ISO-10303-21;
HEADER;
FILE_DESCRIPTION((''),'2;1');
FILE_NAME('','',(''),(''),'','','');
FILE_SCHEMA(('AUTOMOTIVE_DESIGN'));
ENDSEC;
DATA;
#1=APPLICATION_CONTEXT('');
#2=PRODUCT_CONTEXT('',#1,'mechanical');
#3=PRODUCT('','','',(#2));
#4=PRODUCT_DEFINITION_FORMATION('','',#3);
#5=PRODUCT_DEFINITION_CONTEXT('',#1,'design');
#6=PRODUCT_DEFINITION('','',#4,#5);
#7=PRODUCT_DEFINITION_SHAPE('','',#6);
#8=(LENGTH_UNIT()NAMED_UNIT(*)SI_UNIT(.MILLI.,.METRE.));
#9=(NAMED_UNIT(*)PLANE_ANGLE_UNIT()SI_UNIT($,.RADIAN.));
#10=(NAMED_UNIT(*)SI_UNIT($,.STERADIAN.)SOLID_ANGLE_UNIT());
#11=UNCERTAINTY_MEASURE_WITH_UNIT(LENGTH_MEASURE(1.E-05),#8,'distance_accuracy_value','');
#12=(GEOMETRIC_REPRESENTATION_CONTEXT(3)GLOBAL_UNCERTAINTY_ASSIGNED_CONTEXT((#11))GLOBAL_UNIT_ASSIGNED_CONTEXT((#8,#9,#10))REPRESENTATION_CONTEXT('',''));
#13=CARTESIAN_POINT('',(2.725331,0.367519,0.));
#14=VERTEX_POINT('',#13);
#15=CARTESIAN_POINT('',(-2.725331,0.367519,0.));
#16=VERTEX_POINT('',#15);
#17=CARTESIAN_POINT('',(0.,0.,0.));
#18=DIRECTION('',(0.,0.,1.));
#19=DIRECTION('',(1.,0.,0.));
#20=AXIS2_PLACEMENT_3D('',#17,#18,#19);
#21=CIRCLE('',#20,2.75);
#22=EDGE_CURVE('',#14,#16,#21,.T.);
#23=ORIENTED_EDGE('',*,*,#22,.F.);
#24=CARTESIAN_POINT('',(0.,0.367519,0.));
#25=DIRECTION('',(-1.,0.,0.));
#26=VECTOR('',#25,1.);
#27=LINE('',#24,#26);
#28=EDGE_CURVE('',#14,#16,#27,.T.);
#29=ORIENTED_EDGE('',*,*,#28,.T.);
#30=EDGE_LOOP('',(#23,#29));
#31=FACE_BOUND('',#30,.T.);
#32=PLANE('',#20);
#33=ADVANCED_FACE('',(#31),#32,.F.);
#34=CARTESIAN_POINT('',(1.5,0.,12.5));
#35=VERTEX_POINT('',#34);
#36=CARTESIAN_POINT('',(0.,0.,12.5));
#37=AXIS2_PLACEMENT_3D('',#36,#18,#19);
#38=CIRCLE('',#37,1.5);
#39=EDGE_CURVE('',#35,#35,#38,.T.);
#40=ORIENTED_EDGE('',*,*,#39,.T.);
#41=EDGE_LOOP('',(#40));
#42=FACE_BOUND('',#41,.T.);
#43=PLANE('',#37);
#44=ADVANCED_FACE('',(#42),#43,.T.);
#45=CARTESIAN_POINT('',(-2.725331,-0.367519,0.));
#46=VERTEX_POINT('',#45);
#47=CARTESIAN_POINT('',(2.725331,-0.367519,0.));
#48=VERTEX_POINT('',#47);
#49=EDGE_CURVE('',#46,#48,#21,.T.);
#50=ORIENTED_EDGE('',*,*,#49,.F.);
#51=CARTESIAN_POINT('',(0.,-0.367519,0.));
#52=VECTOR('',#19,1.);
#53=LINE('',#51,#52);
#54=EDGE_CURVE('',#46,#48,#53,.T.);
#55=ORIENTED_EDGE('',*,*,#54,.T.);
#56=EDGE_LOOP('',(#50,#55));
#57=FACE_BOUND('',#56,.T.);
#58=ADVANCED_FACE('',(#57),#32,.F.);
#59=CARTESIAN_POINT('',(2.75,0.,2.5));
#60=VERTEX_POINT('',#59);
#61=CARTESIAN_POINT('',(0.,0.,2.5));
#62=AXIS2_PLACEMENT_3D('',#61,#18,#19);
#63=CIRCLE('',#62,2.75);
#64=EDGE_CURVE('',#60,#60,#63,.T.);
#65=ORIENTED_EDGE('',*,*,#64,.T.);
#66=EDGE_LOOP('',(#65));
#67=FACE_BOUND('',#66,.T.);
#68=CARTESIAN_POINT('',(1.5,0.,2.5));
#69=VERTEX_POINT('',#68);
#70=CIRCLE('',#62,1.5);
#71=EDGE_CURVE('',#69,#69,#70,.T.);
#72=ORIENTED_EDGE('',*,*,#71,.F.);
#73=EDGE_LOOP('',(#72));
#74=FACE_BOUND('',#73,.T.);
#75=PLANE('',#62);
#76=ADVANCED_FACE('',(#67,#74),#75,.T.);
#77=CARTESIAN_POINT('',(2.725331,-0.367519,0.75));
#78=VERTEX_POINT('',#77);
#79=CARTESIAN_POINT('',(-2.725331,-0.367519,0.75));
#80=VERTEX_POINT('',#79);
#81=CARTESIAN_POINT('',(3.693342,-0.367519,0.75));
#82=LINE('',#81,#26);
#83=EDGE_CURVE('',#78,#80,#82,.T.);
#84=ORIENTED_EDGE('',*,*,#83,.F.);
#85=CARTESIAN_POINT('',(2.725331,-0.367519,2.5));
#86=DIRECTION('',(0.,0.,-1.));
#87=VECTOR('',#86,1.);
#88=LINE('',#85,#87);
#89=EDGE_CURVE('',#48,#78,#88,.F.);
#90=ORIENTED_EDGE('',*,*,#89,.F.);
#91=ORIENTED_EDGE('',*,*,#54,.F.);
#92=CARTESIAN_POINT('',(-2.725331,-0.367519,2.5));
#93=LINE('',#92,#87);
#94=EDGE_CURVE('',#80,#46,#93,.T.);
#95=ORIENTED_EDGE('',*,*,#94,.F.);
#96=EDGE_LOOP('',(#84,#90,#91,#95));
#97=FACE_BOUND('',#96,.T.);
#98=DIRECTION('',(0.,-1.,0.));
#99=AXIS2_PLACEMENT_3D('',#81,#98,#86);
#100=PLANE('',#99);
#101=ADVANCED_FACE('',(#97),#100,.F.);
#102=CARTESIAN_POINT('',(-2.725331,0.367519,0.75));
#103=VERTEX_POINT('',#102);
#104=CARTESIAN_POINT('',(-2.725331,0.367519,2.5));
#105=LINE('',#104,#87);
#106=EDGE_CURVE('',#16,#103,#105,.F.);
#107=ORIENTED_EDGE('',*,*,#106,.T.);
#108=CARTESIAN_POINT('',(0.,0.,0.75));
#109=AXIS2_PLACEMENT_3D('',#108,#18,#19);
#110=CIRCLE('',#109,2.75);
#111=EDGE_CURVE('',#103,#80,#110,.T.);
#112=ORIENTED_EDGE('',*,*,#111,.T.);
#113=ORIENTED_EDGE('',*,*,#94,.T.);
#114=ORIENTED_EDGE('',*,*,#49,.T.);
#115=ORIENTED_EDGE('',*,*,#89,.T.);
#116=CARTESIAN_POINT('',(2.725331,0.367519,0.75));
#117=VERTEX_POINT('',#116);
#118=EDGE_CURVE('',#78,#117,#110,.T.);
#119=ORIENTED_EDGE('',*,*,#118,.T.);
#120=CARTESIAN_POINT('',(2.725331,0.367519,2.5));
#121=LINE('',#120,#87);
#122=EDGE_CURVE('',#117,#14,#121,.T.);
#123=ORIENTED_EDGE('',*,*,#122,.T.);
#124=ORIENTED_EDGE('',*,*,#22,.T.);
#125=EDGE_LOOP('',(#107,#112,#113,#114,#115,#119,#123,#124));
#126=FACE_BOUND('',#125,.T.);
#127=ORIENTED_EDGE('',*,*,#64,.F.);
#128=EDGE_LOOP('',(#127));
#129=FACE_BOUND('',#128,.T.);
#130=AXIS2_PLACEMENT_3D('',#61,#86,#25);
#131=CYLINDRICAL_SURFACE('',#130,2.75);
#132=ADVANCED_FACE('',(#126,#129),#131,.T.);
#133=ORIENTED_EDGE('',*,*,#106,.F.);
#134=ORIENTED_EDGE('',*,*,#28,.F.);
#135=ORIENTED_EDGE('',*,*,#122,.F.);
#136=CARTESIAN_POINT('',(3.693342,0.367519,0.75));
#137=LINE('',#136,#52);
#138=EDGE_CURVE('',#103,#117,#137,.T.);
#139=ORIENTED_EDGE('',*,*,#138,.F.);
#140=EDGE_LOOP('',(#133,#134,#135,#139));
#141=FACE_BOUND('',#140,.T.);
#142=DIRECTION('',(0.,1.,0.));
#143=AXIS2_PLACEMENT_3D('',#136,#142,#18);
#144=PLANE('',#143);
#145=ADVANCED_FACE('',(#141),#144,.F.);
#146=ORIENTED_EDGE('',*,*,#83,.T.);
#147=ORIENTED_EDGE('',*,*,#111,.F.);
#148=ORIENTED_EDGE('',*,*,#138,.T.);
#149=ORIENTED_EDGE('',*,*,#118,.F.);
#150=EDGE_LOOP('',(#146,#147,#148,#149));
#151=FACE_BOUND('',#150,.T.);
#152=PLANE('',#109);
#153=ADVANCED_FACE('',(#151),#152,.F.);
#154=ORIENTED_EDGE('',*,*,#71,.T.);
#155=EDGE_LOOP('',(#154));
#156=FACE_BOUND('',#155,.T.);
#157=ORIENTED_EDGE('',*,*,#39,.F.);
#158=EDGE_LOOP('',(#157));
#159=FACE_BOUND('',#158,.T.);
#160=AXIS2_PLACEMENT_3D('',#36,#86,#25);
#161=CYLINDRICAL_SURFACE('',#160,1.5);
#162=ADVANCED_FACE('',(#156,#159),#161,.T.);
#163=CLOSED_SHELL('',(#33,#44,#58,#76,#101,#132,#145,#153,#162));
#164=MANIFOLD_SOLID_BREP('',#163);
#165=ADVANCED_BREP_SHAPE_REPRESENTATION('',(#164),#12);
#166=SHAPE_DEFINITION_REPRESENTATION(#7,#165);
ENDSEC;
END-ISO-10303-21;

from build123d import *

# Parameters (mm, degrees)
ESQUISSE1_R             = 2.75
BOSS_EXTRU_1_DEPTH      = 2.5
ESQUISSE2_R             = 1.5
BOSS_EXTRU_2_DEPTH      = 10
ESQUISSE3_W             = 7.386684128
ESQUISSE3_H             = 0.735038592
ENL_V_MAT_EXTRU_1_DEPTH = 0.75


with BuildPart() as part:
    # Esquisse1 → Boss.-Extru.1 (new body)
    with BuildSketch(Plane.XY):
        Circle(ESQUISSE1_R)
    extrude(amount=BOSS_EXTRU_1_DEPTH)

    # Esquisse2 → Boss.-Extru.2 (add)
    with BuildSketch(Plane.XY.offset(2.5)):
        Circle(ESQUISSE2_R)
    extrude(amount=BOSS_EXTRU_2_DEPTH)

    # Esquisse3 → Enlèv. mat.-Extru.1 (cut)
    with BuildSketch(Plane(origin=(0, 0, 0), x_dir=(-1, 0, 0), z_dir=(0, 0, -1))):
        Rectangle(ESQUISSE3_W, ESQUISSE3_H)
    extrude(amount=-ENL_V_MAT_EXTRU_1_DEPTH, mode=Mode.SUBTRACT)


solid = part.part
